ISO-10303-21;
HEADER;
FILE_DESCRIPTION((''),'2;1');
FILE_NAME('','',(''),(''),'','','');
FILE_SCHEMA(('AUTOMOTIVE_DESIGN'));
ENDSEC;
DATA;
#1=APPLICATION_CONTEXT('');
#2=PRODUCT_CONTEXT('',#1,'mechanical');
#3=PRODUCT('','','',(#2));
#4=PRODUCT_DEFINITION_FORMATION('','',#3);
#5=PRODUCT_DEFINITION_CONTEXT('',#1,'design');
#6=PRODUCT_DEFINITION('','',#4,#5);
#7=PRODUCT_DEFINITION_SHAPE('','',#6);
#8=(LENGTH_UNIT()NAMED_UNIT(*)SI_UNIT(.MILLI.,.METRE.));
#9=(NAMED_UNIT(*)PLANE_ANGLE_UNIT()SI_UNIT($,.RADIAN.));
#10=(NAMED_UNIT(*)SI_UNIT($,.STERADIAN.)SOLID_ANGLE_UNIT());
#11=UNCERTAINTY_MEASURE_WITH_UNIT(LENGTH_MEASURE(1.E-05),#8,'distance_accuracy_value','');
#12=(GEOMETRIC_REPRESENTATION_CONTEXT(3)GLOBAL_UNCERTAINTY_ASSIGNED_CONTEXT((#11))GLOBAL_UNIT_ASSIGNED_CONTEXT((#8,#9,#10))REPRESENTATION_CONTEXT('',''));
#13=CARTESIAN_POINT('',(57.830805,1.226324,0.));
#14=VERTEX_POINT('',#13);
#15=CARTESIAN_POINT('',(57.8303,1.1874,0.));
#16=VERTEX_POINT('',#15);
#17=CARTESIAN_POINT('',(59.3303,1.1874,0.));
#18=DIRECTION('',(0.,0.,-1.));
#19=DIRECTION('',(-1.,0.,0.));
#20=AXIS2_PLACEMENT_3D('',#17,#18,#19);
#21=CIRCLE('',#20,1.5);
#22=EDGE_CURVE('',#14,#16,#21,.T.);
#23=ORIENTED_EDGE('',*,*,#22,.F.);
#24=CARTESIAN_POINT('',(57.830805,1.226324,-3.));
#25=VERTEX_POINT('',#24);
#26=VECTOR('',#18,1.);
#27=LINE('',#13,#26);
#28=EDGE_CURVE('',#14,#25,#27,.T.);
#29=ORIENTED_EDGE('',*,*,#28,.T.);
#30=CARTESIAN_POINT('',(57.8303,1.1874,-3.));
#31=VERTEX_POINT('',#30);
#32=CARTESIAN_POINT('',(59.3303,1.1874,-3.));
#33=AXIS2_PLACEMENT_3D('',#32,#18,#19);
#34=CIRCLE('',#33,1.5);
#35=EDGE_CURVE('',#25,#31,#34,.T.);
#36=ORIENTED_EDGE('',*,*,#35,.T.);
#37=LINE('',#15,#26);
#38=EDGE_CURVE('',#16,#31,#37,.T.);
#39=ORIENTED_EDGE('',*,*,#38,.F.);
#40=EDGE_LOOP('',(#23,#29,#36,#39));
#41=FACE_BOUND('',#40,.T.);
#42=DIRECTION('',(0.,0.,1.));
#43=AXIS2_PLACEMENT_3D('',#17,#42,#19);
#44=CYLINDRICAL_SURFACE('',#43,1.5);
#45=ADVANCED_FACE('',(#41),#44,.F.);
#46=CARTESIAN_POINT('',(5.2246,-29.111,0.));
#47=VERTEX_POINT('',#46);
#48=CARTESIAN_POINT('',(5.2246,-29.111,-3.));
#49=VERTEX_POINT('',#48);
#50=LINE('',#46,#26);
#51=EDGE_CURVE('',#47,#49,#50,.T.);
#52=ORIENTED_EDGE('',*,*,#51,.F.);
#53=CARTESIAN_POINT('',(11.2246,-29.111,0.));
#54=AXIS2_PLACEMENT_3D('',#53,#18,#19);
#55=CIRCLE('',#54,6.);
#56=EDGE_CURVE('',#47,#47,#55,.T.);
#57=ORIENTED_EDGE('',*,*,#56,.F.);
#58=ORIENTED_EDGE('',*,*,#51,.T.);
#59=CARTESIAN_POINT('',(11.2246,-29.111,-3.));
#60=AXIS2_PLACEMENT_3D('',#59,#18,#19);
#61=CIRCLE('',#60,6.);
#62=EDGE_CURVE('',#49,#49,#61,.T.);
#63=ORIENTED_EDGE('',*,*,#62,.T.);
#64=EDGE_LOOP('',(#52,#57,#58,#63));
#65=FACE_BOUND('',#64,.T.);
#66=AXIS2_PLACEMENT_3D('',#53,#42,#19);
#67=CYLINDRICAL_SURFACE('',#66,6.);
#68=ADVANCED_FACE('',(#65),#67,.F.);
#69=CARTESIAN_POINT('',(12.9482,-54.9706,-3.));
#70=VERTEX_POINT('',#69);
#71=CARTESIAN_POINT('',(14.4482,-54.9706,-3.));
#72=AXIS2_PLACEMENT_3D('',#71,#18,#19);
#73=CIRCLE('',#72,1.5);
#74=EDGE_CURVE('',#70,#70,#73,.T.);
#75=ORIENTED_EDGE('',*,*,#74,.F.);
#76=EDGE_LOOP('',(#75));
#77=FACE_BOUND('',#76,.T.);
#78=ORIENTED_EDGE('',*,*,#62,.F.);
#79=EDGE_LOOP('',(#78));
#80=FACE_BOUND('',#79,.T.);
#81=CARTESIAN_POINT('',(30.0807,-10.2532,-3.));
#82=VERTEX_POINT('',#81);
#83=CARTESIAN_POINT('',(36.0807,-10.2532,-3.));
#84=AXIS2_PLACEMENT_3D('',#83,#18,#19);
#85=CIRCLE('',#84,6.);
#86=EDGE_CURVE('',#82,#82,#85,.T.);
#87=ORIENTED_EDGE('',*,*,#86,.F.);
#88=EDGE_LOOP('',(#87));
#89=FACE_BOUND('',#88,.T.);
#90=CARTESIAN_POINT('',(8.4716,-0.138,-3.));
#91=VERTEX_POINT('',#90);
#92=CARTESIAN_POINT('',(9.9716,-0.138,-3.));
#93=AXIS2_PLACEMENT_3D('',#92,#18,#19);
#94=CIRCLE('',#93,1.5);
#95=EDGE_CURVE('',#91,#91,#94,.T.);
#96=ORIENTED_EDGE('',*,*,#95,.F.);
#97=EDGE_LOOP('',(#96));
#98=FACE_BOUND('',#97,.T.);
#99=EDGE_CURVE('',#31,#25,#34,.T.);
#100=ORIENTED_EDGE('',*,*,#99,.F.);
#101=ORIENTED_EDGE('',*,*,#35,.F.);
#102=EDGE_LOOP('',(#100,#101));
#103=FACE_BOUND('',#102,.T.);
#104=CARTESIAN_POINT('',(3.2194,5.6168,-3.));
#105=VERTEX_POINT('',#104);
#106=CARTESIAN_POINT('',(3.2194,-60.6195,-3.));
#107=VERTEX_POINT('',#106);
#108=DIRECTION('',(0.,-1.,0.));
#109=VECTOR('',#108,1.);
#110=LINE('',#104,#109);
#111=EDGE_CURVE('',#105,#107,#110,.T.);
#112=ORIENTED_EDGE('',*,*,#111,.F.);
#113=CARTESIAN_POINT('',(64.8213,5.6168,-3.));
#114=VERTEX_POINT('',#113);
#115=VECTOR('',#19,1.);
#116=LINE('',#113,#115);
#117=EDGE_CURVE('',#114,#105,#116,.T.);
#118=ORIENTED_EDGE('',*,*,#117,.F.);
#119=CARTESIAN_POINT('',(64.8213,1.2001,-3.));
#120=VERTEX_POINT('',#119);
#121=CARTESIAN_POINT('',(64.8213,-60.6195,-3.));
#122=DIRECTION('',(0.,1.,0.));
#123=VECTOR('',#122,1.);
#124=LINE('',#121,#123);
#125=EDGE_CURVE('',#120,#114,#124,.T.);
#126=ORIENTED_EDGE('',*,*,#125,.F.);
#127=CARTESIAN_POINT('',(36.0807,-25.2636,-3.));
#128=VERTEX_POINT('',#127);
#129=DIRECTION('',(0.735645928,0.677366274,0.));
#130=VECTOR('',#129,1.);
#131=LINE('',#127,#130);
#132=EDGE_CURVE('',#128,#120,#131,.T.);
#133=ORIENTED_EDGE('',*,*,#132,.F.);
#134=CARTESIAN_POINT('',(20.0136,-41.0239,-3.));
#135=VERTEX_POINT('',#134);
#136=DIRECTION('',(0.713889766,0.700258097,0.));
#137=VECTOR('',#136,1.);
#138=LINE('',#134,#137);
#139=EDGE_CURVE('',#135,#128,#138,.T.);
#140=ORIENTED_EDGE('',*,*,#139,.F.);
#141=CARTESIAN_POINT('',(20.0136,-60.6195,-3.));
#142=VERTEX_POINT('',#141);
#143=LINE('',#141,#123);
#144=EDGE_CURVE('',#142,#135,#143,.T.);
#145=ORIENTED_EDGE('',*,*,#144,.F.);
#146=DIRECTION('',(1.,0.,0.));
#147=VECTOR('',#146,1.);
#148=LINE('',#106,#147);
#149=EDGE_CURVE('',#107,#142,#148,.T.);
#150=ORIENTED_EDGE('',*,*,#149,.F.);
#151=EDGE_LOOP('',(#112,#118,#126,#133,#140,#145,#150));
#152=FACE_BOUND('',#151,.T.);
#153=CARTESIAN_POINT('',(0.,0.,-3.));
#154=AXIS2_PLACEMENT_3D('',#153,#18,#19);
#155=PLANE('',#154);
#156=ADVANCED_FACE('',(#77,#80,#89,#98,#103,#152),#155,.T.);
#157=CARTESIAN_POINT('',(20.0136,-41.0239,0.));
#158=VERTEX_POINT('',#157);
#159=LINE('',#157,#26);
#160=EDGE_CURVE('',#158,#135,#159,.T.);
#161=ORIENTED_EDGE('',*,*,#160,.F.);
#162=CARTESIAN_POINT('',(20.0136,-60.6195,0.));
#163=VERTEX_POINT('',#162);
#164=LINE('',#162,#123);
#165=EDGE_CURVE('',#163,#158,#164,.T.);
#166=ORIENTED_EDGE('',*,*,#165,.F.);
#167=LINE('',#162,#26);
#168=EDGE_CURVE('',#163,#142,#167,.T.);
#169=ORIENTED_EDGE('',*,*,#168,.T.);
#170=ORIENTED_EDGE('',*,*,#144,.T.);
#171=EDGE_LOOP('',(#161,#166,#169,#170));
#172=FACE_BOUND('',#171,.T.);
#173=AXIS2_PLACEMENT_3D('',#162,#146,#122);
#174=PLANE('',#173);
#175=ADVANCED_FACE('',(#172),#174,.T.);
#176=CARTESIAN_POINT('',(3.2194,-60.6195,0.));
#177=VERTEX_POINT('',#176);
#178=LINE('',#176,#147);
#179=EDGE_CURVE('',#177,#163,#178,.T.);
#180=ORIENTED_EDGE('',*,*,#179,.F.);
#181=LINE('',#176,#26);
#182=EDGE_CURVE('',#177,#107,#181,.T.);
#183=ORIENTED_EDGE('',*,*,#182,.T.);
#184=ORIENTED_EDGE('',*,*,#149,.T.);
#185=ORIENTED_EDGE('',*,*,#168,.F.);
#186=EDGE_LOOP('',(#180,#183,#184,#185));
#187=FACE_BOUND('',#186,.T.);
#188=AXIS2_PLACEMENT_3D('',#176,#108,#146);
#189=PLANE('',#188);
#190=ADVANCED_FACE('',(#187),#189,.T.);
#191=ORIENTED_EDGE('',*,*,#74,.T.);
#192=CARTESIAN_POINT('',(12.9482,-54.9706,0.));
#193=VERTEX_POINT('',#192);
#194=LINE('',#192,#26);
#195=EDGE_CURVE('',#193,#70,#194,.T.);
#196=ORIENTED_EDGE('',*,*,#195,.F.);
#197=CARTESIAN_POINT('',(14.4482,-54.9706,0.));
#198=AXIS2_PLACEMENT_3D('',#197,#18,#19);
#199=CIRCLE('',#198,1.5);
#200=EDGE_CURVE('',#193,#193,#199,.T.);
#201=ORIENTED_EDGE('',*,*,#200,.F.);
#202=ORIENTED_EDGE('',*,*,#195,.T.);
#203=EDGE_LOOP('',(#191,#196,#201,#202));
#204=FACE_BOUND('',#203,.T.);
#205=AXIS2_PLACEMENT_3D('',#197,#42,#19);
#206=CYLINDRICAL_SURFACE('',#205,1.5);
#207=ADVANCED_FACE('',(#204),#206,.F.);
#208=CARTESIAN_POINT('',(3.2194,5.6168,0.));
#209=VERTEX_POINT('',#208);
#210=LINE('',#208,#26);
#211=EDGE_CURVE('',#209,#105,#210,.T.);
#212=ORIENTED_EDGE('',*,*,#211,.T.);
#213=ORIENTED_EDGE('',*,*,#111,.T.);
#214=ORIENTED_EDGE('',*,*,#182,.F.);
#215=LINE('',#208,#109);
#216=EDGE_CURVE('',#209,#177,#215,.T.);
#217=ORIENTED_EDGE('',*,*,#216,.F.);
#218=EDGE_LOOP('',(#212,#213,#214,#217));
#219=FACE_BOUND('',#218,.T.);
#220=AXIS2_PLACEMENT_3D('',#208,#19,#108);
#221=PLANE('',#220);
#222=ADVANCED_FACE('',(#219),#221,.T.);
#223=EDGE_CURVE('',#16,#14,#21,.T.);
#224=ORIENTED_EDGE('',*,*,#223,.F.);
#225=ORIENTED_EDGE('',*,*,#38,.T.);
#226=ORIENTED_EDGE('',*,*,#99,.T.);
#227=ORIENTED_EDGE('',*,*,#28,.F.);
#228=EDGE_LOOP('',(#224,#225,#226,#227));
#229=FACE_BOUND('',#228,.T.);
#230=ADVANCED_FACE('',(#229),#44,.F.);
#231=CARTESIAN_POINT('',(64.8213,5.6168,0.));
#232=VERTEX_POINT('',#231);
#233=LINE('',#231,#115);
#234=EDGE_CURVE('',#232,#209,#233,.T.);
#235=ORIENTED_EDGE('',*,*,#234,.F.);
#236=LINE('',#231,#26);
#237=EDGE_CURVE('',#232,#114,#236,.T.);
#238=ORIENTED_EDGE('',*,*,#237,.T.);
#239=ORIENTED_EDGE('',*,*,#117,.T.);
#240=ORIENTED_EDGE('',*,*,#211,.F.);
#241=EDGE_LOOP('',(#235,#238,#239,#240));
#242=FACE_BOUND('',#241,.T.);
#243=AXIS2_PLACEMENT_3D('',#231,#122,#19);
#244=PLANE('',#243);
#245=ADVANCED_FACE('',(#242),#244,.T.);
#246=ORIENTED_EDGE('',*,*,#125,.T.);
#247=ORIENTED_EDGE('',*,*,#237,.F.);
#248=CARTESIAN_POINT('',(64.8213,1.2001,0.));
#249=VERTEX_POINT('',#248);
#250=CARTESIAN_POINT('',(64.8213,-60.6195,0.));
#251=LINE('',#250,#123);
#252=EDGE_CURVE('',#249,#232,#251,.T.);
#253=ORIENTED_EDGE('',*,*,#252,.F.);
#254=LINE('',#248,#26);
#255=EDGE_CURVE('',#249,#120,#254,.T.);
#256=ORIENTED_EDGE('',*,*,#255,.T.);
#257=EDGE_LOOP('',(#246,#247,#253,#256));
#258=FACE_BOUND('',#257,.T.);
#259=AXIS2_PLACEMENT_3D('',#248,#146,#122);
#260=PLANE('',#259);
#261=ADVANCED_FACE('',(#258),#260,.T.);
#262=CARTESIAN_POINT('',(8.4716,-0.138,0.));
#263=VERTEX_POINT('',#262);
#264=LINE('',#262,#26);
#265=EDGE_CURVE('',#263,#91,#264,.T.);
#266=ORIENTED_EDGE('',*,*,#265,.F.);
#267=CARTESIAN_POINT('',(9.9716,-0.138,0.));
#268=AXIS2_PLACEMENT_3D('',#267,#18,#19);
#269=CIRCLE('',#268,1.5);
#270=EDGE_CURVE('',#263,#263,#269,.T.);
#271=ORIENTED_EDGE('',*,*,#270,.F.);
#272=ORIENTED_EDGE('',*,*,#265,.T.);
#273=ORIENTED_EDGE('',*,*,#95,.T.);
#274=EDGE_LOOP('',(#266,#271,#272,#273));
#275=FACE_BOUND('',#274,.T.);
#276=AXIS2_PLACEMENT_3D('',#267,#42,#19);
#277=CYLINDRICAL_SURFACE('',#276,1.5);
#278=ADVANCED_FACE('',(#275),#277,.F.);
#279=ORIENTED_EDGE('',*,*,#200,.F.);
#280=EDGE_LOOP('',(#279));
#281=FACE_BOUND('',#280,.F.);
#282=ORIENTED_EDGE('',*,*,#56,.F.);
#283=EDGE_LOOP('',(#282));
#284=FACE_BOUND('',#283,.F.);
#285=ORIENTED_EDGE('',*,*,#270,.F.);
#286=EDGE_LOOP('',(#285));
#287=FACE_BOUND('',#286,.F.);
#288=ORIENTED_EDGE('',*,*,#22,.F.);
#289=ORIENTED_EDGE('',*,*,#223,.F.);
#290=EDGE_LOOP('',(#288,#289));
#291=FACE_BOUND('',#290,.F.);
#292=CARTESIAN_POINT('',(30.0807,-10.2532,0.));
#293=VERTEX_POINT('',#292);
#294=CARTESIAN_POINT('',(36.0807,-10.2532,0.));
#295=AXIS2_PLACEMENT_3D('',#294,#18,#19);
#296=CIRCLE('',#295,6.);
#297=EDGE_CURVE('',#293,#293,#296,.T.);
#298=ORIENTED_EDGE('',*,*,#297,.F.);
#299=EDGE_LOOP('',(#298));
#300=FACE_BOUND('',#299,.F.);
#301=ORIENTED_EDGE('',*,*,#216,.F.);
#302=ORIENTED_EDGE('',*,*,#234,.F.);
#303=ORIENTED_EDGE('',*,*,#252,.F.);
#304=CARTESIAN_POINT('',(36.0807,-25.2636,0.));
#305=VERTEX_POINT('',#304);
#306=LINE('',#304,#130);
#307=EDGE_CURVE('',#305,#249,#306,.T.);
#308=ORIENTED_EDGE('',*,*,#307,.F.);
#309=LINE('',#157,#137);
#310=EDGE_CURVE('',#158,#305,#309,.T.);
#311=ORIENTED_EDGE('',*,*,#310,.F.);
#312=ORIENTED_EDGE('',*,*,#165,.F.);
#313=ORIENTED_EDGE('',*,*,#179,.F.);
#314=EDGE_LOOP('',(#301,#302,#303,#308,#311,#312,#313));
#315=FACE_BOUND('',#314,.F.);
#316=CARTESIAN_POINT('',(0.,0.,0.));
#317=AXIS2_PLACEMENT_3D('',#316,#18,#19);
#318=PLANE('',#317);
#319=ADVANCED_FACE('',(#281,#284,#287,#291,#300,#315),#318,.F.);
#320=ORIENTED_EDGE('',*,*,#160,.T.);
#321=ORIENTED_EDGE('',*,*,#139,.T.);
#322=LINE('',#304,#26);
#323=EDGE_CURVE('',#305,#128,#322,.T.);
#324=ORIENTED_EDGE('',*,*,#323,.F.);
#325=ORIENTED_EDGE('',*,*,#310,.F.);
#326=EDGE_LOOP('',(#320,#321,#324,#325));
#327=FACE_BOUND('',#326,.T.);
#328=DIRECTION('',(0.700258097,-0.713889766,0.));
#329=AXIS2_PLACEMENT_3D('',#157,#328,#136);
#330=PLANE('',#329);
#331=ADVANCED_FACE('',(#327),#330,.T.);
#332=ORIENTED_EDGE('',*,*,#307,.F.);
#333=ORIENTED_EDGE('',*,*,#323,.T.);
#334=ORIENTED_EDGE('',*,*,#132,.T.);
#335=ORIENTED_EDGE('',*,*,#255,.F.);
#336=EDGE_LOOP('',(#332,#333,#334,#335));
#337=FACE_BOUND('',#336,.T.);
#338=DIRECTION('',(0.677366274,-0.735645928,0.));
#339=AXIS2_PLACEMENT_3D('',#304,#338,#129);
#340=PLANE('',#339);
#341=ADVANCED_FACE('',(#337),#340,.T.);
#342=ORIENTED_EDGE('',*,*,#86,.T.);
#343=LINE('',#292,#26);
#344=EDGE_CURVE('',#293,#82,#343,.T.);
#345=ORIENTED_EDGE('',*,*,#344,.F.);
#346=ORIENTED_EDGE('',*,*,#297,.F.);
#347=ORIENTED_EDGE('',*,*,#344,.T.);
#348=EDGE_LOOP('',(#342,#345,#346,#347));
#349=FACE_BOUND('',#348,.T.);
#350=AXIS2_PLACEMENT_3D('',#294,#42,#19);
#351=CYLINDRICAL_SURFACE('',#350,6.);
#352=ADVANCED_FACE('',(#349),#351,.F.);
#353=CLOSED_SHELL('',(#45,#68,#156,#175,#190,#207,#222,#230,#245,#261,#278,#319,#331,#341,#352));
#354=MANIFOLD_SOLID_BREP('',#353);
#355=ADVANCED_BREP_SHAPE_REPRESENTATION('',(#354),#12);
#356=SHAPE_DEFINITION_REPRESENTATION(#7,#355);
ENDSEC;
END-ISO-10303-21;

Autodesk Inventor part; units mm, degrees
ref_plane "YZ Plane" through (0, 0, 0) normal (1, 0, 0) x (0, 1, 0)
ref_plane "XZ Plane" through (0, 0, 0) normal (0, 1, 0) x (-1, 0, 0)
sketch "ギア線図" plane through (0, 0, 0) normal (0, 0, 1) x (1, 0, 0)
  circle A0 centre (11.2246, -29.111) radius 11.1
  circle A1 centre (54.569, -27.2294) radius 20.05
  circle A2 centre (54.569, -27.2294) radius 4
  circle A3 centre (36.0807, -10.2532) radius 11.1
  circle A4 centre (39.569, -43.72) radius 2.05
  circle A5 centre (69.569, -43.72) radius 2.05
  circle A6 centre (72.4026, -13.8541) radius 2.05
  circle A7 centre (39.569, -43.72) radius 15
  circle A8 centre (69.569, -43.72) radius 15
  circle A9 centre (72.4026, -13.8541) radius 15
  circle A10 centre (54.569, -27.2294) radius 5.5 construction
  circle A11 centre (11.2246, -29.111) radius 13 construction
  circle A12 centre (54.569, -27.2294) radius 20.5 construction
  circle A13 centre (36.0807, -10.2532) radius 20.55
  circle A14 centre (36.0807, -10.2532) radius 21.5 construction
  circle A15 centre (36.0807, -10.2532) radius 13 construction
  circle A16 centre (39.569, -43.72) radius 2.5 construction
  circle A17 centre (69.569, -43.72) radius 2.5 construction
  circle A18 centre (72.4026, -13.8541) radius 2.5 construction
  circle A19 centre (11.2246, -29.111) radius 20.1
  circle A20 centre (11.2246, -29.111) radius 22 construction
  line L0 (39.569, -43.72) -> (69.569, -43.72)
  circle A21 centre (0, 0) radius 20.1
  circle A22 centre (0, 0) radius 22 construction
  circle A23 centre (39.569, -43.72) radius 9.5 construction
  circle A24 centre (69.569, -43.72) radius 9.5 construction
  circle A25 centre (72.4026, -13.8541) radius 9.5 construction
  line L1 (39.569, -43.72) -> (33.651, -38.3369)
  line L2 (39.569, -43.72) -> (54.569, -27.2294)
  circle A26 centre (33.651, -38.3369) radius 2.25
  circle A27 centre (54.569, -27.2294) radius 4.55
  point P0 (58.2233, -20.0465)
  point P1 (42.0436, -35)
  point P2 (21.5995, 15.2696)
  point P3 (38.2329, 5.9161)
  point P4 (24.1755, 8.4229)
  point P5 (21.6039, 15.1272)
  point P6 (23.3458, 16.3469)
  point P7 (23.3177, 16.3886)
  dimension "d7" = 22.2
  dimension "d8" = 40.1
  dimension "d9" = 8
  dimension "d11" = 22.2
  dimension "d12" = 4.1
  dimension "d13" = 4.1
  dimension "d14" = 4.1
  dimension "d15" = 30
  dimension "d16" = 30
  dimension "d17" = 30
  dimension "d18" = 11
  dimension "d21" = 26
  dimension "d29" = 41
  dimension "d39" = 22.2921
  dimension "d40" = 22.2921
  dimension "d41" = 22.2921
  dimension "d43" = 41.1
  dimension "d44" = 43
  dimension "d45" = 26
  dimension "d46" = 5
  dimension "d47" = 5
  dimension "d48" = 5
  dimension "d49" = 40.2
  dimension "d50" = 44
  dimension "d53" = 40.2
  dimension "d55" = 44
  dimension "d58" = 19
  dimension "d59" = 19
  dimension "d60" = 19
  dimension "d86" = 8
  dimension "d87" = 4.5
sketch "スケッチ3" plane through (0, 0, 0) normal (0, 0, 1) x (1, 0, 0)
  circle A0 centre (54.569, -27.2294) radius 20.05 construction
  circle A1 centre (39.569, -43.72) radius 2.05 construction
  circle A2 centre (69.569, -43.72) radius 2.05 construction
  circle A3 centre (72.4026, -13.8541) radius 2.05 construction
  circle A4 centre (39.569, -43.72) radius 15 construction
  circle A5 centre (69.569, -43.72) radius 15 construction
  circle A6 centre (72.4026, -13.8541) radius 15 construction
  line L0 (39.569, -43.72) -> (45.487, -49.103)
  line L1 (45.487, -49.103) -> (39.569, -43.72)
  line L2 (39.569, -43.72) -> (33.651, -38.3369)
  line L3 (39.569, -43.72) -> (41.0777, -42.0614)
  circle A7 centre (33.651, -38.3369) radius 1.3
  circle A8 centre (45.487, -49.103) radius 1.3
  line L4 (69.569, -43.72) -> (68.0603, -42.0614)
  line L5 (69.569, -43.72) -> (75.487, -38.3369)
  line L6 (69.569, -43.72) -> (63.651, -49.103)
  circle A9 centre (63.651, -49.103) radius 1.3
  circle A10 centre (75.487, -38.3369) radius 1.3
  line L7 (72.4026, -13.8541) -> (70.609, -15.1993)
  line L8 (67.6026, -7.4541) -> (72.4026, -13.8541)
  line L9 (72.4026, -13.8541) -> (77.2027, -20.2541)
  circle A11 centre (67.6026, -7.4541) radius 1.3
  circle A12 centre (77.2027, -20.2541) radius 1.3
  circle A13 centre (39.569, -43.72) radius 5
  circle A14 centre (69.569, -43.72) radius 5
  circle A15 centre (72.4026, -13.8541) radius 5
  circle A16 centre (54.569, -27.2294) radius 4
  circle A17 centre (36.0807, -10.2532) radius 11.1 construction
  line L10 (87.4026, -58.72) -> (21.3486, -58.72)
  line L11 (87.4026, 3.1749) -> (87.4026, -58.72)
  circle A18 centre (36.0807, -10.2532) radius 6
  circle A19 centre (23.1948, 12.8161) radius 1.5
  circle A20 centre (59.3303, 1.1874) radius 1.5
  circle A21 centre (11.2246, -29.111) radius 6
  circle A22 centre (14.4482, -54.9706) radius 1.5
  line L12 (87.4026, 3.1749) -> (31.1389, 3.1749)
  line L13 (31.1389, 3.1749) -> (25.7575, 16.2256)
  line L14 (26.6296, -46.3454) -> (10.2913, -53.0824)
  line L15 (10.2913, -53.0824) -> (10.2913, -58.72)
  line L16 (10.2913, -58.72) -> (21.3486, -58.72)
  line L17 (26.6296, -46.3454) -> (26.6296, -10.2532)
  line L18 (26.6296, -10.2532) -> (18.7982, 13.9762)
  line L19 (18.7982, 13.9762) -> (25.7575, 16.2256)
  circle A23 centre (36.0807, -10.2532) radius 13 projected
  circle A24 centre (36.0807, -10.2532) radius 14
  circle A25 centre (36.0807, -10.2532) radius 17
  line L20 (50.0807, -10.2532) -> (50.0807, 3.1749)
  line L21 (26.6296, -24.2532) -> (36.0807, -24.2532)
  circle A26 centre (33.651, -38.3369) radius 2
  point P0 (0, 0)
  point P1 (0, 0)
  point P2 (30.1122, 5.6646)
  point P3 (23.0867, 0.7083)
  point P4 (26.6296, -24.3839)
  point P5 (46.5059, 3.1749)
  point P6 (40.0412, 3.1749)
  point P7 (26.6296, -20.5817)
  dimension "d61" = 8
  dimension "d62" = 8
  dimension "d63" = 2.6
  dimension "d64" = 2.6
  dimension "d65" = 8
  dimension "d66" = 8
  dimension "d67" = 2.6
  dimension "d68" = 2.6
  dimension "d69" = 8
  dimension "d70" = 8
  dimension "d71" = 2.6
  dimension "d72" = 2.6
  dimension "d73" = 10
  dimension "d74" = 10
  dimension "d75" = 10
  dimension "d76" = 8
  dimension "d79" = 12
  dimension "d82" = 26
  dimension "d83" = 1
  dimension "d84" = 3
  dimension "d85" = 4
  dimension "d98" = 12
ref_plane "作業平面1" through (0, 0, 0) normal (0, 0, -1) x (-1, 0, 0)
sketch "スケッチ9" plane through (0, 0, 0) normal (0, 0, -1) x (-1, 0, 0)
  circle A0 centre (-59.3303, 1.1874) radius 1.5 projected
  circle A1 centre (-9.9716, -0.138) radius 1.5 projected
  circle A2 centre (-14.4482, -54.9706) radius 1.5 projected
  circle A3 centre (-36.0807, -10.2532) radius 6 projected
  circle A4 centre (-11.2246, -29.111) radius 6 projected
  line L0 (-3.2194, 5.6168) -> (-3.2194, -60.6195) projected
  line L1 (-64.8213, 5.6168) -> (-3.2194, 5.6168) projected
  line L2 (-64.8213, -60.6195) -> (-64.8213, 5.6168) projected
  line L3 (-3.2194, -60.6195) -> (-64.8213, -60.6195) projected
  circle A5 centre (-14.4482, -54.9706) radius 1.5 projected
  circle A6 centre (-59.3303, 1.1874) radius 1.5 projected
  line L4 (-20.0136, -60.6195) -> (-20.0136, -41.0239)
  line L5 (-20.0136, -41.0239) -> (-36.0807, -25.2636)
  line L6 (-36.0807, -25.2636) -> (-64.8213, 1.2001)
  line L7 (-59.3303, 1.1874) -> (-52.604, 1.362)
  point P0 (0, 0)
  dimension "d104" = 28
  dimension "d106" = 29
extrude "押し出し8" add sketch "スケッチ9" along normal blind 3 contours L0 L3 L4 L5 L6 L2 L1
sketch "スケッチ10" plane through (0, 0, -3) normal (0, 0, -1) x (-1, 0, 0)
  line L0 (-20.0136, -60.6195) -> (-3.2194, -60.6195) projected
  line L1 (-3.2194, -60.6195) -> (-3.2194, 5.6168) projected
  line L2 (-3.2194, 5.6168) -> (-64.8213, 5.6168) projected
  line L3 (-64.8213, 5.6168) -> (-64.8213, 1.2001) projected
  line L4 (-64.8213, 1.2001) -> (-36.0807, -25.2636) projected
  line L5 (-36.0807, -25.2636) -> (-20.0136, -41.0239) projected
  line L6 (-20.0136, -41.0239) -> (-20.0136, -60.6195) projected
  circle A0 centre (-59.3303, 1.1874) radius 1.5 projected
  circle A1 centre (-9.9716, -0.138) radius 1.5 projected
  circle A2 centre (-14.4482, -54.9706) radius 1.5 projected
  circle A3 centre (-11.2246, -29.111) radius 6 projected
  circle A4 centre (-36.0807, -10.2532) radius 6 projected
  point P0 (0, 0)
equation "\"d40\" = d39"
equation "\"d41\" = d40"
properties part number "アームギアフレーム最内" material "アルミニウム 7075"
